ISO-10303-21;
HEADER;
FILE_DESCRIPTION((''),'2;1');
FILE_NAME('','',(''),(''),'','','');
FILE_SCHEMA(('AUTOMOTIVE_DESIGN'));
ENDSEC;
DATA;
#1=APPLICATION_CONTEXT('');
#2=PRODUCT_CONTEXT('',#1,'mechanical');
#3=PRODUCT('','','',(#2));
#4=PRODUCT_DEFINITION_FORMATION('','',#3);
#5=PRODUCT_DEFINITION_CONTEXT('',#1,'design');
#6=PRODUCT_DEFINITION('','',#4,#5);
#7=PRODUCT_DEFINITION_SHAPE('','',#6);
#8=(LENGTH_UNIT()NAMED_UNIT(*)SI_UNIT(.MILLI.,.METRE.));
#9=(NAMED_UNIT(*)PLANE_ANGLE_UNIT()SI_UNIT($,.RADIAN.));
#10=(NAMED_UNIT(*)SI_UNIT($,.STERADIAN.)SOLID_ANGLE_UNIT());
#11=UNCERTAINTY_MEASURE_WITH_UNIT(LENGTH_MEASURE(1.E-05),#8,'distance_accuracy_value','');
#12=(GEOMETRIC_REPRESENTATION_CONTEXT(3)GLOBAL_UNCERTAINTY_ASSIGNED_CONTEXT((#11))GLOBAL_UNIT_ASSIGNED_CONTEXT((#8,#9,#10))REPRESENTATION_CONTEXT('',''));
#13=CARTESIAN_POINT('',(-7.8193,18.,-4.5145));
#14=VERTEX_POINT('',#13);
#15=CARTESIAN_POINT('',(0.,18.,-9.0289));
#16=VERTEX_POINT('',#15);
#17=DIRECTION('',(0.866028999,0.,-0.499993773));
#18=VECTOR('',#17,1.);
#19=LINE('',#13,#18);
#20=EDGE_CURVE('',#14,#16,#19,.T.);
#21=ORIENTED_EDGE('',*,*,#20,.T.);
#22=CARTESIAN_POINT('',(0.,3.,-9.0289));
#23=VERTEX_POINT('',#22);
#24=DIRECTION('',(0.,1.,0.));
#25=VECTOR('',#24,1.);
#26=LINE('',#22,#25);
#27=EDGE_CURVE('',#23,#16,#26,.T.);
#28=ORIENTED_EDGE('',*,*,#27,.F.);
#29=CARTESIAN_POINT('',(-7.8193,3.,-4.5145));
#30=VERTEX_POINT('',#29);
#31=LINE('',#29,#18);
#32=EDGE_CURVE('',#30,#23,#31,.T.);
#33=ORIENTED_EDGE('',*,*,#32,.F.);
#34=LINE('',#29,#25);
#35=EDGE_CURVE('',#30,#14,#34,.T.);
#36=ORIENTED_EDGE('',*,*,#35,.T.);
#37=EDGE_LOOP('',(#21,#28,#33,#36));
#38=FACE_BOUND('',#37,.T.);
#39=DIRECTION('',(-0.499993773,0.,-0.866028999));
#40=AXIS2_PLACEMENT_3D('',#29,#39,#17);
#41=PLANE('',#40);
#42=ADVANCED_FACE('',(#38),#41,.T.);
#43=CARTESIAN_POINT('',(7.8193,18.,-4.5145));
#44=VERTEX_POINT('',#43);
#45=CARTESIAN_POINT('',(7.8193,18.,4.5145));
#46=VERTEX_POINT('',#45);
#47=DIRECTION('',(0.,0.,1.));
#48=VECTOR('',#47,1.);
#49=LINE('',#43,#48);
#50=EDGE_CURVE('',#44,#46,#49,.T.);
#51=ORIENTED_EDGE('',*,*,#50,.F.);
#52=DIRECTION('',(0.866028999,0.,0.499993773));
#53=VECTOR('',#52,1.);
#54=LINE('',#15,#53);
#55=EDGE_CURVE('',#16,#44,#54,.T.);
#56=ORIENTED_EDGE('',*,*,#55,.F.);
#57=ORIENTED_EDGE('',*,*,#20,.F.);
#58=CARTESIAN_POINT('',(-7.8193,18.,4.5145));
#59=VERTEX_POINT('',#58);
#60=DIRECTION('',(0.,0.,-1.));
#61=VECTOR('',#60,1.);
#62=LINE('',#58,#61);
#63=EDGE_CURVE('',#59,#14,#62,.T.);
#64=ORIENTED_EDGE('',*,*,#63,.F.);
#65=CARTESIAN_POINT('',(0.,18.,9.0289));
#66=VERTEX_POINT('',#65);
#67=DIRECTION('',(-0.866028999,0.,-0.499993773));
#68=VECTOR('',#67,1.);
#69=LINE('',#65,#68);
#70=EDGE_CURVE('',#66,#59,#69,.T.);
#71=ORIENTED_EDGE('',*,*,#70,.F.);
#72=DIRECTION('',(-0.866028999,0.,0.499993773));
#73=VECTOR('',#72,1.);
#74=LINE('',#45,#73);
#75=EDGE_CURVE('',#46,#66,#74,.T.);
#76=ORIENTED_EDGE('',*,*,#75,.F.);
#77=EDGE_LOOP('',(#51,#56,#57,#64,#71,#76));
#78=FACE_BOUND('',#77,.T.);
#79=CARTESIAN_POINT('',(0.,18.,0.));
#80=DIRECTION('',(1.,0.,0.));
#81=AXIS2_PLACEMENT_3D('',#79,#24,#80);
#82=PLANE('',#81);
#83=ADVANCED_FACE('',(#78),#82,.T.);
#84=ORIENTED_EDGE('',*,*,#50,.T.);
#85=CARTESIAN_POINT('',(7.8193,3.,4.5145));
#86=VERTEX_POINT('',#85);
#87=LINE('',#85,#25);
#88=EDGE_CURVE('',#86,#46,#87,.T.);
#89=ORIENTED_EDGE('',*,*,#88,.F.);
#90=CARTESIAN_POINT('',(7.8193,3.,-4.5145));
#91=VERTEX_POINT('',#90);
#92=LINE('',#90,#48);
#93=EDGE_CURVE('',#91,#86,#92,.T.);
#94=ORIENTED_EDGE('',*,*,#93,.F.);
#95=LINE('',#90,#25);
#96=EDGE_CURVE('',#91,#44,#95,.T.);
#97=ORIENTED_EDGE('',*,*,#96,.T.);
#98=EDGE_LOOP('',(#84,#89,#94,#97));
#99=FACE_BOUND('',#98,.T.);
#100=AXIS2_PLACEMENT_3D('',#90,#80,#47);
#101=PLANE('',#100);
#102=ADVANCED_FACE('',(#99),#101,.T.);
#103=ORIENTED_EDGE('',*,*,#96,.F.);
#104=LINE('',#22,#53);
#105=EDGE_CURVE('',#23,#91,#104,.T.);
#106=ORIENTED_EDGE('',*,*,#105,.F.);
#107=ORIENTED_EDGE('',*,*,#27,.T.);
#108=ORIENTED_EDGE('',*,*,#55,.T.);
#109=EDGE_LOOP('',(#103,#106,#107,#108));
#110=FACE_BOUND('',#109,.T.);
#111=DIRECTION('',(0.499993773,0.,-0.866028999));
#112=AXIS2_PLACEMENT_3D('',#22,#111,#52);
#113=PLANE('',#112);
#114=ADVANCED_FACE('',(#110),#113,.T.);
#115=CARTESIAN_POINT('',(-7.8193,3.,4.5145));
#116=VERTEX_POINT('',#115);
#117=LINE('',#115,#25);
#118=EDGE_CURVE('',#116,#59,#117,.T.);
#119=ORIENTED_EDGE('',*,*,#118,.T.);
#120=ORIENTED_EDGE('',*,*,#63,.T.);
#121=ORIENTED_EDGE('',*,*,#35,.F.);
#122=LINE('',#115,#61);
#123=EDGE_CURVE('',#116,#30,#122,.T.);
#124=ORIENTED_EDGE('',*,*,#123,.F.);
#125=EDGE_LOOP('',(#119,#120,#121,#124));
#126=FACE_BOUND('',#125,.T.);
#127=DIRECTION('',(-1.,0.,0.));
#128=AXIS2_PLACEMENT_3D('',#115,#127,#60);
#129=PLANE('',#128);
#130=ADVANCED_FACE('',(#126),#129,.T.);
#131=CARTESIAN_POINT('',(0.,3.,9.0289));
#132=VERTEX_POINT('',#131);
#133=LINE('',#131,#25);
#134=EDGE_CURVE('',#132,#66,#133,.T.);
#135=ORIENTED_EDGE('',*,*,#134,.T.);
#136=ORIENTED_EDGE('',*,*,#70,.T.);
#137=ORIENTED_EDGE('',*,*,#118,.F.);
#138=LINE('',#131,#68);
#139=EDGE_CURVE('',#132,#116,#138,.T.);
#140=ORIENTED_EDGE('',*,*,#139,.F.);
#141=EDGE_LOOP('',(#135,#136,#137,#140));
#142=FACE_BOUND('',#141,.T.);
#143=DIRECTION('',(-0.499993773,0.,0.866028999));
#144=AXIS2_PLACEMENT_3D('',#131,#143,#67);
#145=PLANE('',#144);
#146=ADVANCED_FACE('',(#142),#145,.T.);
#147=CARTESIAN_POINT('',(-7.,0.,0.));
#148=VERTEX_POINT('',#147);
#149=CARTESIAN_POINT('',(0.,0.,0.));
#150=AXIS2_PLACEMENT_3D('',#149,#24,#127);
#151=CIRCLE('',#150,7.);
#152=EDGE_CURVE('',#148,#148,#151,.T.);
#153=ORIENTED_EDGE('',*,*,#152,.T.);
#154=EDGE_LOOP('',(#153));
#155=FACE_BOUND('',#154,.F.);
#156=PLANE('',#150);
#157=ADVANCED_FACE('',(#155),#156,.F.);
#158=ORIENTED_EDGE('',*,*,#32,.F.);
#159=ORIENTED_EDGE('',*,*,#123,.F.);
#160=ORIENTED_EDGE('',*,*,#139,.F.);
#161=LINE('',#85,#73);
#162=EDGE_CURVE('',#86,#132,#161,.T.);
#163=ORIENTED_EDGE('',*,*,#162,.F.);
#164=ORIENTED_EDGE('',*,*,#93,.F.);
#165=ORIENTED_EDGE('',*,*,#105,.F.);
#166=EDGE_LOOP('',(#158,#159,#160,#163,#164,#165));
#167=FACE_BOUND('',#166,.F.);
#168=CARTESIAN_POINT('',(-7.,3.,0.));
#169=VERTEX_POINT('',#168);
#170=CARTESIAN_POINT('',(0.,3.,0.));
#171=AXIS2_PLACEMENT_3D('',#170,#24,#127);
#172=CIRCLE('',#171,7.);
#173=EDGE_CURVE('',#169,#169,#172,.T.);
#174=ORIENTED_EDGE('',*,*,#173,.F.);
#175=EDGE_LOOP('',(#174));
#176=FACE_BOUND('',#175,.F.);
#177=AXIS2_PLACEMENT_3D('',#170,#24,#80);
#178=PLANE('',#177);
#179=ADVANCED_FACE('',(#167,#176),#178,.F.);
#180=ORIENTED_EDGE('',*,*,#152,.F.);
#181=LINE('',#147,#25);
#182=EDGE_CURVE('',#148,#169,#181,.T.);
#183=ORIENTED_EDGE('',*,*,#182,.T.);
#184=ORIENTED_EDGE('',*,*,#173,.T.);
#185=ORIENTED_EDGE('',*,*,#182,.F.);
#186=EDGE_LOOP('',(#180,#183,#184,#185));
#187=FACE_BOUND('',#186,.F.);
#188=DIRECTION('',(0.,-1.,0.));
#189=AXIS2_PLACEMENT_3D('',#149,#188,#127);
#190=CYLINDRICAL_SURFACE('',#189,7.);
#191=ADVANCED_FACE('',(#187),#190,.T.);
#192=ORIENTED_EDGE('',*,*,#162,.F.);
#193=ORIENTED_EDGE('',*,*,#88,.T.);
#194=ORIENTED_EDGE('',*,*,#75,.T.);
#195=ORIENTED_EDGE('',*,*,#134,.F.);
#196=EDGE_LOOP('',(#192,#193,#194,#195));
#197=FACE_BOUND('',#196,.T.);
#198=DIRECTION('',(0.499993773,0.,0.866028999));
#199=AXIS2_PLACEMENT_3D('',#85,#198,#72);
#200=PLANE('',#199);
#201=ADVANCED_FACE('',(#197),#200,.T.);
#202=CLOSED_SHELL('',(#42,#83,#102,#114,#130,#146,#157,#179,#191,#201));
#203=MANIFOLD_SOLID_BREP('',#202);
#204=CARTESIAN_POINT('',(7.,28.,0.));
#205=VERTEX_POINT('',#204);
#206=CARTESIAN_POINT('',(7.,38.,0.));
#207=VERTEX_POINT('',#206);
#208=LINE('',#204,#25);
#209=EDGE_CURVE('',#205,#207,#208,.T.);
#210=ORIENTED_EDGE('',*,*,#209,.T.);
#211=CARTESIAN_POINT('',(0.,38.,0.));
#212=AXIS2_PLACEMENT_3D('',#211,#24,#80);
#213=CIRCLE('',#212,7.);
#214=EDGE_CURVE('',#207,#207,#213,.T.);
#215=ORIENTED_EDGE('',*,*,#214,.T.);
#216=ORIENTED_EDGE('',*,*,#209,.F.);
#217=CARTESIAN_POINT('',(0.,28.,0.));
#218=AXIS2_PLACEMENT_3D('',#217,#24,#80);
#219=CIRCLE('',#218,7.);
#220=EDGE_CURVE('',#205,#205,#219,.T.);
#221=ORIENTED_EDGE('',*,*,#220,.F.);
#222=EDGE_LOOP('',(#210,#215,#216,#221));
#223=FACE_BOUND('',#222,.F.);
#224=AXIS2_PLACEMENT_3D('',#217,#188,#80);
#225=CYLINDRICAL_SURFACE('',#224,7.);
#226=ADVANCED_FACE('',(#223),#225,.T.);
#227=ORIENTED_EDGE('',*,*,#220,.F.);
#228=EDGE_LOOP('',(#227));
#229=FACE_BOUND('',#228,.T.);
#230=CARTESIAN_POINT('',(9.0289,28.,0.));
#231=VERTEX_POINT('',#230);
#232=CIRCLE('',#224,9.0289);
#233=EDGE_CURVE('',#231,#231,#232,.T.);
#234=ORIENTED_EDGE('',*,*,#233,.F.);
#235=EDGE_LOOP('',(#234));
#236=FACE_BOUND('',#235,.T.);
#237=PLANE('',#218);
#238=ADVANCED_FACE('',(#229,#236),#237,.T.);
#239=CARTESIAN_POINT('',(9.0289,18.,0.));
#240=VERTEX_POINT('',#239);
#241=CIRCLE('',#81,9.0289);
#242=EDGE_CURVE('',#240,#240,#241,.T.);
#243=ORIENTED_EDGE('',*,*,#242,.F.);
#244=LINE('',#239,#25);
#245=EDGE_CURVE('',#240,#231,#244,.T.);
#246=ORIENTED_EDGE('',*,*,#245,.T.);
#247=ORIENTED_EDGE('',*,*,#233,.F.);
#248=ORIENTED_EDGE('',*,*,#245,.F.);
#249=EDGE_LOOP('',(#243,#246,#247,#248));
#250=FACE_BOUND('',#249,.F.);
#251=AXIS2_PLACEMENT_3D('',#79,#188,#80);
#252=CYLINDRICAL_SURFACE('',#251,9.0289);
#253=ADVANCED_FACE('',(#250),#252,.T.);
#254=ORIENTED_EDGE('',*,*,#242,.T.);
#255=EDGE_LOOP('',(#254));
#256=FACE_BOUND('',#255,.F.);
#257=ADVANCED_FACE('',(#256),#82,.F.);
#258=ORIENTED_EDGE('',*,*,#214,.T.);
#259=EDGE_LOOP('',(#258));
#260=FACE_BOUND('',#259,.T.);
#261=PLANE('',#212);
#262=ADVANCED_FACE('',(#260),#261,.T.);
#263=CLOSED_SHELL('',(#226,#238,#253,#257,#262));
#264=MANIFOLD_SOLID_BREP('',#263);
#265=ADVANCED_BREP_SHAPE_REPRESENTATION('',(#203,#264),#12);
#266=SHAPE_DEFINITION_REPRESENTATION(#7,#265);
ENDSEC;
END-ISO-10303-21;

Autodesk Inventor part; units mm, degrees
ref_plane "YZ Plane" through (0, 0, 0) normal (1, 0, 0) x (0, 1, 0)
ref_plane "XZ Plane" through (0, 0, 0) normal (0, 1, 0) x (-1, 0, 0)
ref_plane "XY Plane" through (0, 0, 0) normal (0, 0, 1) x (1, 0, 0)
sketch "Sketch1" plane through (0, 0, 0) normal (0, 1, 0) x (-1, 0, 0)
  circle A0 centre (0, 0) radius 7
  dimension "d0" = 14
extrude "Extrusion1" add sketch "Sketch1" along normal blind 3
sketch "Sketch2" plane through (0, 3, 0) normal (0, 1, 0) x (1, 0, 0)
  line L0 (-7.8193, 4.5145) -> (0, 9.0289)
  line L1 (0, 9.0289) -> (7.8193, 4.5145)
  line L2 (7.8193, 4.5145) -> (7.8193, -4.5145)
  line L3 (7.8193, -4.5145) -> (0, -9.0289)
  line L4 (0, -9.0289) -> (-7.8193, -4.5145)
  line L5 (-7.8193, -4.5145) -> (-7.8193, 4.5145)
  point P0 (0, 0)
  point P1 (0, 0)
extrude "Extrusion2" add sketch "Sketch2" along normal blind 15
thread "Thread1" size "M14x2" class "6g" standard "ANSI Metric M Profile" full length
sketch "Sketch3" plane through (0, 18, 0) normal (0, 1, 0) x (1, 0, 0)
  line L0 (0, 9.0289) -> (-7.8193, 4.5145) projected
  circle A0 centre (0, 0) radius 9.0289
extrude "Extrusion3" add sketch "Sketch3" along normal blind 10 separate body
sketch "Sketch4" plane through (0, 28, 0) normal (0, 1, 0) x (1, 0, 0)
  circle A0 centre (0, 0) radius 7
extrude "Extrusion4" add sketch "Sketch4" along normal blind 10 bodies 2
properties part number "valvula"
